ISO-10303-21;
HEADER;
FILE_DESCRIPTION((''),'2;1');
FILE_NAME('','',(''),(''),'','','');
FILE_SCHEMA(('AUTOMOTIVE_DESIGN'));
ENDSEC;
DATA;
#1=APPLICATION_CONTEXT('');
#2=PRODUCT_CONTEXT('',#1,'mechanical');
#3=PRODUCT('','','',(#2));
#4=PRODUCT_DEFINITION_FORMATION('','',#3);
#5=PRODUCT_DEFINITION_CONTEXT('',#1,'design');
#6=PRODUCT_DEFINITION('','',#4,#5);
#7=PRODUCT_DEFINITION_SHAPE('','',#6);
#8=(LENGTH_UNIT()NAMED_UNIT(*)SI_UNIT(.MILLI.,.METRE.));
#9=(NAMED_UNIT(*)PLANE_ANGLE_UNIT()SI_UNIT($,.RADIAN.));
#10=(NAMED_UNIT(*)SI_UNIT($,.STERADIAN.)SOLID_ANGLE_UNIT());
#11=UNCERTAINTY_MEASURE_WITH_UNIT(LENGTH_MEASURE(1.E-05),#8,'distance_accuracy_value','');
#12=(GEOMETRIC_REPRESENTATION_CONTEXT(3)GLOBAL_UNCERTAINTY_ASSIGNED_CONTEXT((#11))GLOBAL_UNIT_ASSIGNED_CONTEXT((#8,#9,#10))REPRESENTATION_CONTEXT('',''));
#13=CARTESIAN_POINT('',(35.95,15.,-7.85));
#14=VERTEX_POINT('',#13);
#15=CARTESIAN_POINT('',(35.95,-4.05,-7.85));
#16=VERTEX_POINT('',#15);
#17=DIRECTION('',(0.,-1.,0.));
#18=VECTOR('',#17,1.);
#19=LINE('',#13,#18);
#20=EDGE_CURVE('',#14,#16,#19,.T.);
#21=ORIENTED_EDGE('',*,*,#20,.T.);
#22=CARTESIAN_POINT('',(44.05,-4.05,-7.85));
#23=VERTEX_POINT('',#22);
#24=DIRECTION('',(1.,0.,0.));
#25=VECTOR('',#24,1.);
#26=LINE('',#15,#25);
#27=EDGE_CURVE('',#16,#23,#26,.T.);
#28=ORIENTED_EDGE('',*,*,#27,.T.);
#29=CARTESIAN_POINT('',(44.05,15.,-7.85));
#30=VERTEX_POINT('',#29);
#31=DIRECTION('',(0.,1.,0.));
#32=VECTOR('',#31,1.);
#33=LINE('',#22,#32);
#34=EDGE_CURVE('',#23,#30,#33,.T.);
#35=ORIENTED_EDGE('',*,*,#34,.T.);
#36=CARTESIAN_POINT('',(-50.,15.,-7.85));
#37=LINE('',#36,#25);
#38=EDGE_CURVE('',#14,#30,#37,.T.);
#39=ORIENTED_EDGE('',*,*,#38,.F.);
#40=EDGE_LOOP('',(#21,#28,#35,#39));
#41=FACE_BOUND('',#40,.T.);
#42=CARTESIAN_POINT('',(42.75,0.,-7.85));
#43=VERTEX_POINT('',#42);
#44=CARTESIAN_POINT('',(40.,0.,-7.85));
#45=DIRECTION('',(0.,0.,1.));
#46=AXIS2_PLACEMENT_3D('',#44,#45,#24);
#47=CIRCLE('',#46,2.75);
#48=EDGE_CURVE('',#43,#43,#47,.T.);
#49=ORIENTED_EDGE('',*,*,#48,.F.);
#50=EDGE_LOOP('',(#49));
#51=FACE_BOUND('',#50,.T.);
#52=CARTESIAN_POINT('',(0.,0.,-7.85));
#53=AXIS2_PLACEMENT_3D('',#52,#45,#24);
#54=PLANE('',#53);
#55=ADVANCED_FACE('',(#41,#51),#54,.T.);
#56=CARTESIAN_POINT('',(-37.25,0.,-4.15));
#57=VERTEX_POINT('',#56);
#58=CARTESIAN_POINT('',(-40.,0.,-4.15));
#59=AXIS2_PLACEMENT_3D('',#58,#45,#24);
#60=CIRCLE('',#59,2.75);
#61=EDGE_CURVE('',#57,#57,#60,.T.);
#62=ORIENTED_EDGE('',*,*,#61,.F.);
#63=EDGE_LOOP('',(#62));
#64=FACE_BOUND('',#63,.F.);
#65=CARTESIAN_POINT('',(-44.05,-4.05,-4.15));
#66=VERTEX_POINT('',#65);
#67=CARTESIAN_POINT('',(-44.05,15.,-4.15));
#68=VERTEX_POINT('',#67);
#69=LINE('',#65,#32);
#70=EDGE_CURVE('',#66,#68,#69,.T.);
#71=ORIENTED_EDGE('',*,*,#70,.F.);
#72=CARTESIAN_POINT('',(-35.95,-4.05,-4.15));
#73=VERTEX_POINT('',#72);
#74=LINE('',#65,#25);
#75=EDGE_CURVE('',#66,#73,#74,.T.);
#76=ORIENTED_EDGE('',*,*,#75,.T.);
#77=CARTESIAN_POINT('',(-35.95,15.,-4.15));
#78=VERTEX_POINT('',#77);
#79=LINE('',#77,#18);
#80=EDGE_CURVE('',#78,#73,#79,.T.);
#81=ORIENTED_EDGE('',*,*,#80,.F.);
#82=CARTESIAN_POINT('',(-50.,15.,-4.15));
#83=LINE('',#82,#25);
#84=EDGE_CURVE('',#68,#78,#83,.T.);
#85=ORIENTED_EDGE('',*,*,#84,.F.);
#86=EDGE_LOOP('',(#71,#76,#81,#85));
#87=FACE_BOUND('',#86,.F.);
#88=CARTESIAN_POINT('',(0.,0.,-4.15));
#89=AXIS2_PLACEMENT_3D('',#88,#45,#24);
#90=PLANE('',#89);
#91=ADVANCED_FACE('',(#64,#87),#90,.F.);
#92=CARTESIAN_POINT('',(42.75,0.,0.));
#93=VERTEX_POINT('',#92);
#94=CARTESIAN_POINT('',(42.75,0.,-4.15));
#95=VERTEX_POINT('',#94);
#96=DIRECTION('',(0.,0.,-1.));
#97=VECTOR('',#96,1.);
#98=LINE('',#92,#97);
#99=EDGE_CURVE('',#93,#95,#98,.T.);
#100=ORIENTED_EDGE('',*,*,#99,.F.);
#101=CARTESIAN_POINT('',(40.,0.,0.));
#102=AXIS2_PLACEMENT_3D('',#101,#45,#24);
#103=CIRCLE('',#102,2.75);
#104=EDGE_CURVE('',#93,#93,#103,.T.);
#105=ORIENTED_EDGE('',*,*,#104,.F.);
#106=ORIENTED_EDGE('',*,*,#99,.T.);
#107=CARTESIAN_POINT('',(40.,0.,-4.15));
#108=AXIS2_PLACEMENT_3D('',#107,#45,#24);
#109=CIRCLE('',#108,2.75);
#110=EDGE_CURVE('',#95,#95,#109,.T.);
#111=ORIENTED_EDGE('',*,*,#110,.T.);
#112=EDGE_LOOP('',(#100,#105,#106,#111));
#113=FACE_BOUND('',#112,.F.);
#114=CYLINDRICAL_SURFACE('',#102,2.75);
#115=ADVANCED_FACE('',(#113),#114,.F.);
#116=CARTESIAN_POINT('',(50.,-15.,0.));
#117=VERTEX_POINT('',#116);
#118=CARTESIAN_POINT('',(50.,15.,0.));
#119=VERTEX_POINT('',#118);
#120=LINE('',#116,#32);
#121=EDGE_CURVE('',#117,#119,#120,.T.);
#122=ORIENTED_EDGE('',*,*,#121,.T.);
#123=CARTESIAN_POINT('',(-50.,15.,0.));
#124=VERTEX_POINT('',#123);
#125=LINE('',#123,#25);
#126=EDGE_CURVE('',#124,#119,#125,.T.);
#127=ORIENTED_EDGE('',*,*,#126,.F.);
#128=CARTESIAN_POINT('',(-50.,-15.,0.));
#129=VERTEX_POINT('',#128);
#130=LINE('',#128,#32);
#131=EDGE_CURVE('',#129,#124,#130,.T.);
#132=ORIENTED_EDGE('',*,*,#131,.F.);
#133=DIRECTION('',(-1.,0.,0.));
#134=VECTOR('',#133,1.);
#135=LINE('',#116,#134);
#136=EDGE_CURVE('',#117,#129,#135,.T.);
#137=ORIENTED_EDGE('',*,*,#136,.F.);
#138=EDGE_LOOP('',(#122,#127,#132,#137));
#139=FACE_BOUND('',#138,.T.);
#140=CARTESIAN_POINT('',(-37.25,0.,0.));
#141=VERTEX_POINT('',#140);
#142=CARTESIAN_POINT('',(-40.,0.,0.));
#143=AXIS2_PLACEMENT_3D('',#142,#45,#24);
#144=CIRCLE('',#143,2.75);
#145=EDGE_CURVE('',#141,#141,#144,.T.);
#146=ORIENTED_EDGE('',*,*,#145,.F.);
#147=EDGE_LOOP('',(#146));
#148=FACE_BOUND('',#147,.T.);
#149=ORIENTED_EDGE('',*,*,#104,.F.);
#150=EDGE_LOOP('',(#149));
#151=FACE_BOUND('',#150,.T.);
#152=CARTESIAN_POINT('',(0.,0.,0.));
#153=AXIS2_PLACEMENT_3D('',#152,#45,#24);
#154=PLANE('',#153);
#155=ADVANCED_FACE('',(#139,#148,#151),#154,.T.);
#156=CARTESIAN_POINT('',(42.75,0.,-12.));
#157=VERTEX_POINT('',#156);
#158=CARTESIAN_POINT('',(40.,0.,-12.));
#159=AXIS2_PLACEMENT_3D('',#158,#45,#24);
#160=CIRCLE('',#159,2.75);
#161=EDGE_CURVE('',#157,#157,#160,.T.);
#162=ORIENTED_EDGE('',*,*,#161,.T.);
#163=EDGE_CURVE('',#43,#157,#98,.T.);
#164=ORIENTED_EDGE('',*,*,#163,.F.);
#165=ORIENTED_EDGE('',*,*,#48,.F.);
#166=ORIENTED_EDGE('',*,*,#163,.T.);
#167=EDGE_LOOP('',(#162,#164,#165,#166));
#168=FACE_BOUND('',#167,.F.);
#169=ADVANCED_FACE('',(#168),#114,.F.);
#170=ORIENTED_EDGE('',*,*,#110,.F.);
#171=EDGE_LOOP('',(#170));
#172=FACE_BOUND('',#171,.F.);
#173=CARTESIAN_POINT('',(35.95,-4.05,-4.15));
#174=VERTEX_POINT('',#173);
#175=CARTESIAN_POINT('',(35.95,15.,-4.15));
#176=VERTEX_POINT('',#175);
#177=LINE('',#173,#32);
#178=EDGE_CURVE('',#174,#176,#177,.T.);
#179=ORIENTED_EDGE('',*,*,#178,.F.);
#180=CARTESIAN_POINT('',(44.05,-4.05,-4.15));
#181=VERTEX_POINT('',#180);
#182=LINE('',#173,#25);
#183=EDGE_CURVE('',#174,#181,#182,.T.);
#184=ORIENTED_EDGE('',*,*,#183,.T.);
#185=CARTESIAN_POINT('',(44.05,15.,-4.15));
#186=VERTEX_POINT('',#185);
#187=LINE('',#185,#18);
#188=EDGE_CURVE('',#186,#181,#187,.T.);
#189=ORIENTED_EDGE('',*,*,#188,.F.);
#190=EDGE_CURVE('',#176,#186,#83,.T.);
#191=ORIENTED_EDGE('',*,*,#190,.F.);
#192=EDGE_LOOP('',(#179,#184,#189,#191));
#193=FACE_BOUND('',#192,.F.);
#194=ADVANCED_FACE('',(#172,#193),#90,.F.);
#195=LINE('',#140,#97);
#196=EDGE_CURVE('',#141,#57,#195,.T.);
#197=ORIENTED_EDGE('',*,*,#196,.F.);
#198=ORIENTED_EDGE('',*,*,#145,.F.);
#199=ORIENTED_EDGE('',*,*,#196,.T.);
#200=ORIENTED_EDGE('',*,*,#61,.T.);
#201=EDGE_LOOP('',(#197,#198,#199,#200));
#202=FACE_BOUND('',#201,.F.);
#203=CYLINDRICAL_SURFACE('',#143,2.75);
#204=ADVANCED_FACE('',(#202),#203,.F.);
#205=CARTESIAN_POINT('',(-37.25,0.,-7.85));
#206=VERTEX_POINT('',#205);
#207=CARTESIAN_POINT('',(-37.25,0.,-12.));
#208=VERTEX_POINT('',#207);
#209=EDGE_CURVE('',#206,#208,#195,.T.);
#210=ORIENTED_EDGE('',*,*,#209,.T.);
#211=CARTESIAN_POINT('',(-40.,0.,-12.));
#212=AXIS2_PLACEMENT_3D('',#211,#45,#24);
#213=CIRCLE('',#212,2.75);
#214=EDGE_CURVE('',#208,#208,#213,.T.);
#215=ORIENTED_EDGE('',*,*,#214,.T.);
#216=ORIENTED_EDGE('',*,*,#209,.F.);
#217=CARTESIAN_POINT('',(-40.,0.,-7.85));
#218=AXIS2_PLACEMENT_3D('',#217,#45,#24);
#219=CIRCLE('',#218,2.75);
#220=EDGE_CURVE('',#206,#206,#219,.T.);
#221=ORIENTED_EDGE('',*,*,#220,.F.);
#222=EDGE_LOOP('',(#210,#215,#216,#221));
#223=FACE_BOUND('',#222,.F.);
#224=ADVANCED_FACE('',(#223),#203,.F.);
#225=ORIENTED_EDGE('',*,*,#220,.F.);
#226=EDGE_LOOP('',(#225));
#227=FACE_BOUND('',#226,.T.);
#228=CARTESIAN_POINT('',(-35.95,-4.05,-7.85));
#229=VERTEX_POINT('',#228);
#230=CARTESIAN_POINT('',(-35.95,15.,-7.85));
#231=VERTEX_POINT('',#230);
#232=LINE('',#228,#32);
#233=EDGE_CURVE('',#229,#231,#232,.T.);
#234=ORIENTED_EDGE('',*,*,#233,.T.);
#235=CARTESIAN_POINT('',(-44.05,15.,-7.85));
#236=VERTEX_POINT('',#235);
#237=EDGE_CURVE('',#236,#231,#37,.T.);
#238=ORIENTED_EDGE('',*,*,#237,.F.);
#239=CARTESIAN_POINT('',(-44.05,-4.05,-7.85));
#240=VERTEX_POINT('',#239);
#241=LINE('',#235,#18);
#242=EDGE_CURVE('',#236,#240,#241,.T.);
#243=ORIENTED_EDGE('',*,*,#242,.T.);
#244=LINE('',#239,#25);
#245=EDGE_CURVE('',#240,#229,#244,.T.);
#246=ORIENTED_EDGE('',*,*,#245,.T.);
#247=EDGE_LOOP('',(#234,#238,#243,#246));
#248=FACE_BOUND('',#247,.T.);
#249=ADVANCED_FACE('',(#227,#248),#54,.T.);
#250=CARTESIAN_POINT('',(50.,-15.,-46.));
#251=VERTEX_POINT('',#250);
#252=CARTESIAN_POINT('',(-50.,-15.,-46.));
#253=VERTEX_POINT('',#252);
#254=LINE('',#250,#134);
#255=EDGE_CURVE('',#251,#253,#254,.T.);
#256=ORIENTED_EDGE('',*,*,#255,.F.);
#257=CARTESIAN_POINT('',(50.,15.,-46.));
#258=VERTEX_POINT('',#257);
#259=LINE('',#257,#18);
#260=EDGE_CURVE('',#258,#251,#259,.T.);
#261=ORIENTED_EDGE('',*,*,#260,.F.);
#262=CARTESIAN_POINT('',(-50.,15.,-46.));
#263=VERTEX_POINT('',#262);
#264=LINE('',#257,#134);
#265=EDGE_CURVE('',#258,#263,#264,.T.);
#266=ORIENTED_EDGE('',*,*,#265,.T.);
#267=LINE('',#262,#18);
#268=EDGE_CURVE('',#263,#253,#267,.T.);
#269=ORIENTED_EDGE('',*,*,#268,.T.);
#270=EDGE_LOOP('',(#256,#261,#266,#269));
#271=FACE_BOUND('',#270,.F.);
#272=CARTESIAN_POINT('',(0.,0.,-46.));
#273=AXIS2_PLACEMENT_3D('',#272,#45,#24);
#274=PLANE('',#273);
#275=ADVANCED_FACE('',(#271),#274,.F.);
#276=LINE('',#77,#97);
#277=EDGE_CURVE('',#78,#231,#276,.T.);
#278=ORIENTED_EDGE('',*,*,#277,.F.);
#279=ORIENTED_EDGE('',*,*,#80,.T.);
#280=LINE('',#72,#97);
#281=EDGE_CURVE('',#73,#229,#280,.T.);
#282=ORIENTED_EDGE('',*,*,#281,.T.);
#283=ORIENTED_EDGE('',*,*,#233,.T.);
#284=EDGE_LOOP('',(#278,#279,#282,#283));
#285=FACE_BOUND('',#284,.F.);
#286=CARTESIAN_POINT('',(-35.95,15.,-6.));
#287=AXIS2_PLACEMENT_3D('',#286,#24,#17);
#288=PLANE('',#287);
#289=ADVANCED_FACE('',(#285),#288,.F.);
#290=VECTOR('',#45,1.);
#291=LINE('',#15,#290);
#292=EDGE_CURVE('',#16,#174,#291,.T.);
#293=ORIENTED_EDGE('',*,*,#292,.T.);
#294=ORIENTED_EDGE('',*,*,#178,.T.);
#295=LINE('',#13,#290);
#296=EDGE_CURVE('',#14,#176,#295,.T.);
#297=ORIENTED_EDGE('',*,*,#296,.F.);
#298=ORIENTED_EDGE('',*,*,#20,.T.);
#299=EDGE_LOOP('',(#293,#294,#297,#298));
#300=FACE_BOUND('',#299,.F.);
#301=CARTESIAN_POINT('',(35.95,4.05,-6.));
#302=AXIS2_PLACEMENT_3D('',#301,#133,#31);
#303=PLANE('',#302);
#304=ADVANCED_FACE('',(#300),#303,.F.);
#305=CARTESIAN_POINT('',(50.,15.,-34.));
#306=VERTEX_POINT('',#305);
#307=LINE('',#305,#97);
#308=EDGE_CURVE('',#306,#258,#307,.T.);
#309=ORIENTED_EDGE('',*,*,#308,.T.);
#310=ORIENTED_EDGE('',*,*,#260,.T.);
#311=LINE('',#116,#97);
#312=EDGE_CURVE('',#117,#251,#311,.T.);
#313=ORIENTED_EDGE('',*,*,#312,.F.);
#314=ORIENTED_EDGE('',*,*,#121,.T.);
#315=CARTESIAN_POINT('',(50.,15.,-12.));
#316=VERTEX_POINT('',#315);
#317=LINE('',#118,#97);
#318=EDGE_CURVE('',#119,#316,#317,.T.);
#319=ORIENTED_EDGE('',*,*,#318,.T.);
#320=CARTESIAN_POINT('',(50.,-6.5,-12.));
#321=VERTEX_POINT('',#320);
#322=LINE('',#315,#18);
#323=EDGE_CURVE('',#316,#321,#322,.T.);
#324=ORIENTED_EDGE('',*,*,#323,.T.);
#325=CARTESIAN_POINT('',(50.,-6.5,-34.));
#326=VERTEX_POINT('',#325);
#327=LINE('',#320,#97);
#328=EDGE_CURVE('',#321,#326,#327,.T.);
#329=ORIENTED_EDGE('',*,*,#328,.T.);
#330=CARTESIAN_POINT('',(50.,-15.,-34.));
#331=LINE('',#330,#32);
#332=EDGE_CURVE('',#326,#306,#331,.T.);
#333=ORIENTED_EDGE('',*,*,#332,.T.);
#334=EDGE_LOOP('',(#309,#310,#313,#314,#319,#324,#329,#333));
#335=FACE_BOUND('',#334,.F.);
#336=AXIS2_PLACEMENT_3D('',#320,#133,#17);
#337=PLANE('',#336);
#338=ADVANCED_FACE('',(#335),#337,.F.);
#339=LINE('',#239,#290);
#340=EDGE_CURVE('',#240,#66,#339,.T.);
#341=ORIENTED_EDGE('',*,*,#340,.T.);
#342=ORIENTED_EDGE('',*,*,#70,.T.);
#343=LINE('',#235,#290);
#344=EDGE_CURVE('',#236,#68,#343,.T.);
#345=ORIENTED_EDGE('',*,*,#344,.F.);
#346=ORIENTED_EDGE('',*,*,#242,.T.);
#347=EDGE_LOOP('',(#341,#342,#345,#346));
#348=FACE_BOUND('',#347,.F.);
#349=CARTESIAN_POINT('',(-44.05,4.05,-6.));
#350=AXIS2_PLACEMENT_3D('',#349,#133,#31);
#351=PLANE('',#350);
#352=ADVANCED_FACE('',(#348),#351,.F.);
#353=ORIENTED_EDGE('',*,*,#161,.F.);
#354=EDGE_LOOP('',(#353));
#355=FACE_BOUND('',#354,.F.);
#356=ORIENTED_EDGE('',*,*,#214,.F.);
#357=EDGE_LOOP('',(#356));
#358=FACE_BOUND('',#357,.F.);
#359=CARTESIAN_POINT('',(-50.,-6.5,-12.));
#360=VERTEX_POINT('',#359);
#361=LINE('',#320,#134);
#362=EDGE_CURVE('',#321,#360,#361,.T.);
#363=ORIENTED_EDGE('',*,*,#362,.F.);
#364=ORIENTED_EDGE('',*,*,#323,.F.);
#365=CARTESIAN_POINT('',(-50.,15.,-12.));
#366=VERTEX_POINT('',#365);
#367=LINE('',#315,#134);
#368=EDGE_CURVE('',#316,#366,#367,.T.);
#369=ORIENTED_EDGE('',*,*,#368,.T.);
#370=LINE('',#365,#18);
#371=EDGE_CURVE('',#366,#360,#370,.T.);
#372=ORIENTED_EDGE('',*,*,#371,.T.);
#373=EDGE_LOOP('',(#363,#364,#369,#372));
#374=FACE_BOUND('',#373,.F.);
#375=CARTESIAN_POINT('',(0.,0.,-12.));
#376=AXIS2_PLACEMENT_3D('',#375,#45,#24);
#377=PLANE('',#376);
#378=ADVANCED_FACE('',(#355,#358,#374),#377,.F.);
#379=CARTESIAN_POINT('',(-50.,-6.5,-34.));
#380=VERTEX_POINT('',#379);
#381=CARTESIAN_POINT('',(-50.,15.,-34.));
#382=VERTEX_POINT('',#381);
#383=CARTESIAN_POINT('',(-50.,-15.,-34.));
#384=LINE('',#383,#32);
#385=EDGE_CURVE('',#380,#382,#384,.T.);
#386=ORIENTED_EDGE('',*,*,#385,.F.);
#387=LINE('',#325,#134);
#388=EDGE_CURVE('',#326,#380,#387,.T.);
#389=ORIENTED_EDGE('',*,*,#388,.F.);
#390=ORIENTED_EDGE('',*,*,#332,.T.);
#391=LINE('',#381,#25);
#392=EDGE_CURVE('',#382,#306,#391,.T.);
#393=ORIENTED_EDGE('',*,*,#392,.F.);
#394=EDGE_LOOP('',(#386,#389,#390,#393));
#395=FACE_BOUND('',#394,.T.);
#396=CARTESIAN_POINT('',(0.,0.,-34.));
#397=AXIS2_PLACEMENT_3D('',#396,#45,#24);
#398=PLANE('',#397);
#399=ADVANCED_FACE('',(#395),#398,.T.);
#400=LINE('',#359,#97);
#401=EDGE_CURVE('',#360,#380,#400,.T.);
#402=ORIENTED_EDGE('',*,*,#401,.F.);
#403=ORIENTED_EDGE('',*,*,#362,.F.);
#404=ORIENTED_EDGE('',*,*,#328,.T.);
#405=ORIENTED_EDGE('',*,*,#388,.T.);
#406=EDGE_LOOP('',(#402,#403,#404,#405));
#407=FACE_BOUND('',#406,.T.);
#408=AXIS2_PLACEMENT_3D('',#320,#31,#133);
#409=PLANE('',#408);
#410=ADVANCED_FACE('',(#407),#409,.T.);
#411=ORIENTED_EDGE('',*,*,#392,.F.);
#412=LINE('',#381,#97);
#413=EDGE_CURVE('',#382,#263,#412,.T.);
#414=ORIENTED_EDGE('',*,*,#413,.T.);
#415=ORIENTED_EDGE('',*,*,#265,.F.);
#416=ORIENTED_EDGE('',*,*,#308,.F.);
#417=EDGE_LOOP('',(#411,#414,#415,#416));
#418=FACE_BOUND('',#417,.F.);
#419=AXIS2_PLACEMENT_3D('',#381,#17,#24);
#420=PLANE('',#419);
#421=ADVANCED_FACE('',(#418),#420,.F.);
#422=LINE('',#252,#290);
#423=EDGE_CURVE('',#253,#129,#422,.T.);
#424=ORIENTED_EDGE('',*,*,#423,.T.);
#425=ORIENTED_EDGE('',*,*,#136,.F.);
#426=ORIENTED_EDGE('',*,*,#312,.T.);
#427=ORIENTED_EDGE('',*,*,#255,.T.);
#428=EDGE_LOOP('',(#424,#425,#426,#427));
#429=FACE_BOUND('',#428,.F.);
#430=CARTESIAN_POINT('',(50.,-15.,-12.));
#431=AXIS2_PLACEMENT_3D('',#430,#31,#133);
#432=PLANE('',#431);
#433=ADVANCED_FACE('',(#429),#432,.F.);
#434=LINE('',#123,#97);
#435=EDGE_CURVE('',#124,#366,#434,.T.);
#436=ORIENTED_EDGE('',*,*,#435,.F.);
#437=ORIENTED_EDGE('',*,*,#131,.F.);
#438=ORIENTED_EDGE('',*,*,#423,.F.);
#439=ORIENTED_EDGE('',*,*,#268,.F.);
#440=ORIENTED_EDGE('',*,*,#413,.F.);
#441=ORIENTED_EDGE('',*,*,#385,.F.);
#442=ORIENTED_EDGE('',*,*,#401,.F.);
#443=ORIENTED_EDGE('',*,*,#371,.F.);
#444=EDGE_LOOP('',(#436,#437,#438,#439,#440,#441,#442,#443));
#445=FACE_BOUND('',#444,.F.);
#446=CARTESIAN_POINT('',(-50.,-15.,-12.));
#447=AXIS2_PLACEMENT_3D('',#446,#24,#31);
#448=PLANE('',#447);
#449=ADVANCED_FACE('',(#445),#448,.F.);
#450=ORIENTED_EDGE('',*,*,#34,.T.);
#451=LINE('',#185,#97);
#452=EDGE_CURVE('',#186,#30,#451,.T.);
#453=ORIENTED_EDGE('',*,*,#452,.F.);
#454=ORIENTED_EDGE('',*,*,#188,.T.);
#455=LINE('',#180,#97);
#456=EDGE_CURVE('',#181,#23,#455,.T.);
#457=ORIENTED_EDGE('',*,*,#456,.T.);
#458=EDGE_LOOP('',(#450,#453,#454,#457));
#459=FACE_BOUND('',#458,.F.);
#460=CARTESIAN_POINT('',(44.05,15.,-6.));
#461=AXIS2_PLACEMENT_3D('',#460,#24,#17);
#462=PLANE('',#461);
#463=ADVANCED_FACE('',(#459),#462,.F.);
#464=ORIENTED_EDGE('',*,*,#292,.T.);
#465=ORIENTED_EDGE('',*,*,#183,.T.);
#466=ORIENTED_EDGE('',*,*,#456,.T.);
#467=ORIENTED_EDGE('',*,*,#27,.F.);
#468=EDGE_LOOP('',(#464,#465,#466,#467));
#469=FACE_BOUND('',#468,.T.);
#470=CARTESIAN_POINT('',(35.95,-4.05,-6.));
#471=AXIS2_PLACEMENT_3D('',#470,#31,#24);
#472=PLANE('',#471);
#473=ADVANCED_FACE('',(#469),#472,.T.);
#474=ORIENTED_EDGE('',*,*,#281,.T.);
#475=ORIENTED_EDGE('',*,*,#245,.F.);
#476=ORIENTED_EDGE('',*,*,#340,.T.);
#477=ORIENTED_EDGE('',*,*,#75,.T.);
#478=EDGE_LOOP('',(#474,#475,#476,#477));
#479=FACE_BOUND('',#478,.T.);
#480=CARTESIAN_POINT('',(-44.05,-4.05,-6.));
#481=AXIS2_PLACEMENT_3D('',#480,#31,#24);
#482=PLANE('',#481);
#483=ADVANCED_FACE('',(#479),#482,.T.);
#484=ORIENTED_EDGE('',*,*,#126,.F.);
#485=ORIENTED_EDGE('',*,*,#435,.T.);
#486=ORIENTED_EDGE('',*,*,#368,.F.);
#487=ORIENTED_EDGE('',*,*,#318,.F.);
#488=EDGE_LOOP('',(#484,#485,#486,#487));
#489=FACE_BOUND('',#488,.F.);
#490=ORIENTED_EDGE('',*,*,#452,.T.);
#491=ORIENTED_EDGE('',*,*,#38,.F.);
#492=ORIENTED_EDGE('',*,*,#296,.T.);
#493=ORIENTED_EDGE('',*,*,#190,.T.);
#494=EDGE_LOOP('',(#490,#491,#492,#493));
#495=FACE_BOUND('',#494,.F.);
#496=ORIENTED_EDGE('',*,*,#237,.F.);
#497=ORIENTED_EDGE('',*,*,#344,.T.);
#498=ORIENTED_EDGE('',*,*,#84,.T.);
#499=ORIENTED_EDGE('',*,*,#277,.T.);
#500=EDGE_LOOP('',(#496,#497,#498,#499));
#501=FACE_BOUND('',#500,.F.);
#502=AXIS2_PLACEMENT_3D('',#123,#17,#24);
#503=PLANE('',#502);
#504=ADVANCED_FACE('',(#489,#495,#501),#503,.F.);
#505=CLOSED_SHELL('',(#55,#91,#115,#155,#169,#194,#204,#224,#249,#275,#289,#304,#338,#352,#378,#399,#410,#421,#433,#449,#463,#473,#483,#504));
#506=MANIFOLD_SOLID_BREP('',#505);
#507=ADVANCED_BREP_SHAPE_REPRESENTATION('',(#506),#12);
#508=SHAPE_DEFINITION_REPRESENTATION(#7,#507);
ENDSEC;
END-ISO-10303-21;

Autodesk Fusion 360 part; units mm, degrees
sketch "main" plane through (0, 0, 0) normal (0, 0, 1) x (1, 0, 0)
  line L0 (-50, 15) -> (50, 15)
  line L1 (50, 15) -> (50, -15)
  line L2 (50, -15) -> (-50, -15)
  line L3 (-50, -15) -> (-50, 15)
  line L4 (-50, 15) -> (50, -15) construction
  line L5 (50, 15) -> (-50, -15) construction
  line L6 (30, 15) -> (-30, 15) construction
  line L7 (-30, 15) -> (-30, -15) construction
  line L8 (-30, -15) -> (30, -15) construction
  line L9 (30, -15) -> (30, 15) construction
  line L10 (-50, 15) -> (-30, -15) construction
  line L11 (-30, 15) -> (-50, -15) construction
  circle A0 centre (-40, 0) radius 2.75
  line L12 (30, 15) -> (50, -15) construction
  line L13 (50, 15) -> (30, -15) construction
  circle A1 centre (40, 0) radius 2.75
  line L14 (-50, -15) -> (50, -15)
  line L15 (50, -15) -> (50, -6.5)
  line L16 (50, -6.5) -> (-50, -6.5)
  line L17 (-50, -6.5) -> (-50, -15)
  line L18 (35.95, -4.05) -> (44.05, -4.05)
  line L19 (44.05, -4.05) -> (44.05, 4.05)
  line L20 (44.05, 4.05) -> (35.95, 4.05)
  line L21 (35.95, 4.05) -> (35.95, -4.05)
  line L22 (35.95, -4.05) -> (44.05, 4.05) construction
  line L23 (44.05, -4.05) -> (35.95, 4.05) construction
  line L24 (-44.05, -4.05) -> (-35.95, -4.05)
  line L25 (-35.95, -4.05) -> (-35.95, 4.05)
  line L26 (-35.95, 4.05) -> (-44.05, 4.05)
  line L27 (-44.05, 4.05) -> (-44.05, -4.05)
  line L28 (-44.05, -4.05) -> (-35.95, 4.05) construction
  line L29 (-35.95, -4.05) -> (-44.05, 4.05) construction
  line L30 (44.05, 4.05) -> (35.95, 4.05)
  line L31 (35.95, 4.05) -> (35.95, 15)
  line L32 (35.95, 15) -> (44.05, 15)
  line L33 (44.05, 15) -> (44.05, 4.05)
  line L34 (-35.95, 4.05) -> (-44.05, 4.05)
  line L35 (-44.05, 4.05) -> (-44.05, 15)
  line L36 (-44.05, 15) -> (-35.95, 15)
  line L37 (-35.95, 15) -> (-35.95, 4.05)
  point P0 (40, 0)
  point P1 (-40, 0)
  dimension "d1" = 100
  dimension "d2" = 30
  dimension "d3" = 60
  dimension "d4" = 30
  dimension "d5" = 5.5
  dimension "d6" = 5.5
  dimension "d7" = 100
  dimension "d8" = 8.5
  dimension "d17" = 8.1
  dimension "d18" = 8.1
  dimension "d19" = 8.1
  dimension "d20" = 8.1
  dimension "d21" = 8.1
  dimension "d22" = 10.95
  dimension "d23" = 8.1
  dimension "d24" = 10.95
extrude "Extrude1" add sketch "main" against normal blind 12
extrude "Extrude2" add sketch "main" against normal blind 22 from surface at -12 contours L1 L2 L3 L14 L15 L16 L17
extrude "Extrude3" add sketch "main" against normal blind 12 from surface at -34 contours L0 L1 L3 L16 L18 L19 L21 L24 L25 L27 L31 L33 L35 L37 | L0 L26 L34 L35 L36 L37 | L1 L2 L3 L14 L15 L16 L17 | L24 L25 L26 L27 L34 | L0 L20 L30 L31 L32 L33 | L18 L19 L20 L21 L30 | A0 | A1
extrude "Extrude4" cut sketch "main" along normal mid plane 3.7 from surface at -6 contours L0 L26 L34 L35 L36 L37 | L24 L25 L26 L27 L34 | L0 L20 L30 L31 L32 L33 | L18 L19 L20 L21 L30
equation "d5 = ( 2.75 * 2 ) * 1 mm"
equation "d14 = -22 mm - 12 mm"
